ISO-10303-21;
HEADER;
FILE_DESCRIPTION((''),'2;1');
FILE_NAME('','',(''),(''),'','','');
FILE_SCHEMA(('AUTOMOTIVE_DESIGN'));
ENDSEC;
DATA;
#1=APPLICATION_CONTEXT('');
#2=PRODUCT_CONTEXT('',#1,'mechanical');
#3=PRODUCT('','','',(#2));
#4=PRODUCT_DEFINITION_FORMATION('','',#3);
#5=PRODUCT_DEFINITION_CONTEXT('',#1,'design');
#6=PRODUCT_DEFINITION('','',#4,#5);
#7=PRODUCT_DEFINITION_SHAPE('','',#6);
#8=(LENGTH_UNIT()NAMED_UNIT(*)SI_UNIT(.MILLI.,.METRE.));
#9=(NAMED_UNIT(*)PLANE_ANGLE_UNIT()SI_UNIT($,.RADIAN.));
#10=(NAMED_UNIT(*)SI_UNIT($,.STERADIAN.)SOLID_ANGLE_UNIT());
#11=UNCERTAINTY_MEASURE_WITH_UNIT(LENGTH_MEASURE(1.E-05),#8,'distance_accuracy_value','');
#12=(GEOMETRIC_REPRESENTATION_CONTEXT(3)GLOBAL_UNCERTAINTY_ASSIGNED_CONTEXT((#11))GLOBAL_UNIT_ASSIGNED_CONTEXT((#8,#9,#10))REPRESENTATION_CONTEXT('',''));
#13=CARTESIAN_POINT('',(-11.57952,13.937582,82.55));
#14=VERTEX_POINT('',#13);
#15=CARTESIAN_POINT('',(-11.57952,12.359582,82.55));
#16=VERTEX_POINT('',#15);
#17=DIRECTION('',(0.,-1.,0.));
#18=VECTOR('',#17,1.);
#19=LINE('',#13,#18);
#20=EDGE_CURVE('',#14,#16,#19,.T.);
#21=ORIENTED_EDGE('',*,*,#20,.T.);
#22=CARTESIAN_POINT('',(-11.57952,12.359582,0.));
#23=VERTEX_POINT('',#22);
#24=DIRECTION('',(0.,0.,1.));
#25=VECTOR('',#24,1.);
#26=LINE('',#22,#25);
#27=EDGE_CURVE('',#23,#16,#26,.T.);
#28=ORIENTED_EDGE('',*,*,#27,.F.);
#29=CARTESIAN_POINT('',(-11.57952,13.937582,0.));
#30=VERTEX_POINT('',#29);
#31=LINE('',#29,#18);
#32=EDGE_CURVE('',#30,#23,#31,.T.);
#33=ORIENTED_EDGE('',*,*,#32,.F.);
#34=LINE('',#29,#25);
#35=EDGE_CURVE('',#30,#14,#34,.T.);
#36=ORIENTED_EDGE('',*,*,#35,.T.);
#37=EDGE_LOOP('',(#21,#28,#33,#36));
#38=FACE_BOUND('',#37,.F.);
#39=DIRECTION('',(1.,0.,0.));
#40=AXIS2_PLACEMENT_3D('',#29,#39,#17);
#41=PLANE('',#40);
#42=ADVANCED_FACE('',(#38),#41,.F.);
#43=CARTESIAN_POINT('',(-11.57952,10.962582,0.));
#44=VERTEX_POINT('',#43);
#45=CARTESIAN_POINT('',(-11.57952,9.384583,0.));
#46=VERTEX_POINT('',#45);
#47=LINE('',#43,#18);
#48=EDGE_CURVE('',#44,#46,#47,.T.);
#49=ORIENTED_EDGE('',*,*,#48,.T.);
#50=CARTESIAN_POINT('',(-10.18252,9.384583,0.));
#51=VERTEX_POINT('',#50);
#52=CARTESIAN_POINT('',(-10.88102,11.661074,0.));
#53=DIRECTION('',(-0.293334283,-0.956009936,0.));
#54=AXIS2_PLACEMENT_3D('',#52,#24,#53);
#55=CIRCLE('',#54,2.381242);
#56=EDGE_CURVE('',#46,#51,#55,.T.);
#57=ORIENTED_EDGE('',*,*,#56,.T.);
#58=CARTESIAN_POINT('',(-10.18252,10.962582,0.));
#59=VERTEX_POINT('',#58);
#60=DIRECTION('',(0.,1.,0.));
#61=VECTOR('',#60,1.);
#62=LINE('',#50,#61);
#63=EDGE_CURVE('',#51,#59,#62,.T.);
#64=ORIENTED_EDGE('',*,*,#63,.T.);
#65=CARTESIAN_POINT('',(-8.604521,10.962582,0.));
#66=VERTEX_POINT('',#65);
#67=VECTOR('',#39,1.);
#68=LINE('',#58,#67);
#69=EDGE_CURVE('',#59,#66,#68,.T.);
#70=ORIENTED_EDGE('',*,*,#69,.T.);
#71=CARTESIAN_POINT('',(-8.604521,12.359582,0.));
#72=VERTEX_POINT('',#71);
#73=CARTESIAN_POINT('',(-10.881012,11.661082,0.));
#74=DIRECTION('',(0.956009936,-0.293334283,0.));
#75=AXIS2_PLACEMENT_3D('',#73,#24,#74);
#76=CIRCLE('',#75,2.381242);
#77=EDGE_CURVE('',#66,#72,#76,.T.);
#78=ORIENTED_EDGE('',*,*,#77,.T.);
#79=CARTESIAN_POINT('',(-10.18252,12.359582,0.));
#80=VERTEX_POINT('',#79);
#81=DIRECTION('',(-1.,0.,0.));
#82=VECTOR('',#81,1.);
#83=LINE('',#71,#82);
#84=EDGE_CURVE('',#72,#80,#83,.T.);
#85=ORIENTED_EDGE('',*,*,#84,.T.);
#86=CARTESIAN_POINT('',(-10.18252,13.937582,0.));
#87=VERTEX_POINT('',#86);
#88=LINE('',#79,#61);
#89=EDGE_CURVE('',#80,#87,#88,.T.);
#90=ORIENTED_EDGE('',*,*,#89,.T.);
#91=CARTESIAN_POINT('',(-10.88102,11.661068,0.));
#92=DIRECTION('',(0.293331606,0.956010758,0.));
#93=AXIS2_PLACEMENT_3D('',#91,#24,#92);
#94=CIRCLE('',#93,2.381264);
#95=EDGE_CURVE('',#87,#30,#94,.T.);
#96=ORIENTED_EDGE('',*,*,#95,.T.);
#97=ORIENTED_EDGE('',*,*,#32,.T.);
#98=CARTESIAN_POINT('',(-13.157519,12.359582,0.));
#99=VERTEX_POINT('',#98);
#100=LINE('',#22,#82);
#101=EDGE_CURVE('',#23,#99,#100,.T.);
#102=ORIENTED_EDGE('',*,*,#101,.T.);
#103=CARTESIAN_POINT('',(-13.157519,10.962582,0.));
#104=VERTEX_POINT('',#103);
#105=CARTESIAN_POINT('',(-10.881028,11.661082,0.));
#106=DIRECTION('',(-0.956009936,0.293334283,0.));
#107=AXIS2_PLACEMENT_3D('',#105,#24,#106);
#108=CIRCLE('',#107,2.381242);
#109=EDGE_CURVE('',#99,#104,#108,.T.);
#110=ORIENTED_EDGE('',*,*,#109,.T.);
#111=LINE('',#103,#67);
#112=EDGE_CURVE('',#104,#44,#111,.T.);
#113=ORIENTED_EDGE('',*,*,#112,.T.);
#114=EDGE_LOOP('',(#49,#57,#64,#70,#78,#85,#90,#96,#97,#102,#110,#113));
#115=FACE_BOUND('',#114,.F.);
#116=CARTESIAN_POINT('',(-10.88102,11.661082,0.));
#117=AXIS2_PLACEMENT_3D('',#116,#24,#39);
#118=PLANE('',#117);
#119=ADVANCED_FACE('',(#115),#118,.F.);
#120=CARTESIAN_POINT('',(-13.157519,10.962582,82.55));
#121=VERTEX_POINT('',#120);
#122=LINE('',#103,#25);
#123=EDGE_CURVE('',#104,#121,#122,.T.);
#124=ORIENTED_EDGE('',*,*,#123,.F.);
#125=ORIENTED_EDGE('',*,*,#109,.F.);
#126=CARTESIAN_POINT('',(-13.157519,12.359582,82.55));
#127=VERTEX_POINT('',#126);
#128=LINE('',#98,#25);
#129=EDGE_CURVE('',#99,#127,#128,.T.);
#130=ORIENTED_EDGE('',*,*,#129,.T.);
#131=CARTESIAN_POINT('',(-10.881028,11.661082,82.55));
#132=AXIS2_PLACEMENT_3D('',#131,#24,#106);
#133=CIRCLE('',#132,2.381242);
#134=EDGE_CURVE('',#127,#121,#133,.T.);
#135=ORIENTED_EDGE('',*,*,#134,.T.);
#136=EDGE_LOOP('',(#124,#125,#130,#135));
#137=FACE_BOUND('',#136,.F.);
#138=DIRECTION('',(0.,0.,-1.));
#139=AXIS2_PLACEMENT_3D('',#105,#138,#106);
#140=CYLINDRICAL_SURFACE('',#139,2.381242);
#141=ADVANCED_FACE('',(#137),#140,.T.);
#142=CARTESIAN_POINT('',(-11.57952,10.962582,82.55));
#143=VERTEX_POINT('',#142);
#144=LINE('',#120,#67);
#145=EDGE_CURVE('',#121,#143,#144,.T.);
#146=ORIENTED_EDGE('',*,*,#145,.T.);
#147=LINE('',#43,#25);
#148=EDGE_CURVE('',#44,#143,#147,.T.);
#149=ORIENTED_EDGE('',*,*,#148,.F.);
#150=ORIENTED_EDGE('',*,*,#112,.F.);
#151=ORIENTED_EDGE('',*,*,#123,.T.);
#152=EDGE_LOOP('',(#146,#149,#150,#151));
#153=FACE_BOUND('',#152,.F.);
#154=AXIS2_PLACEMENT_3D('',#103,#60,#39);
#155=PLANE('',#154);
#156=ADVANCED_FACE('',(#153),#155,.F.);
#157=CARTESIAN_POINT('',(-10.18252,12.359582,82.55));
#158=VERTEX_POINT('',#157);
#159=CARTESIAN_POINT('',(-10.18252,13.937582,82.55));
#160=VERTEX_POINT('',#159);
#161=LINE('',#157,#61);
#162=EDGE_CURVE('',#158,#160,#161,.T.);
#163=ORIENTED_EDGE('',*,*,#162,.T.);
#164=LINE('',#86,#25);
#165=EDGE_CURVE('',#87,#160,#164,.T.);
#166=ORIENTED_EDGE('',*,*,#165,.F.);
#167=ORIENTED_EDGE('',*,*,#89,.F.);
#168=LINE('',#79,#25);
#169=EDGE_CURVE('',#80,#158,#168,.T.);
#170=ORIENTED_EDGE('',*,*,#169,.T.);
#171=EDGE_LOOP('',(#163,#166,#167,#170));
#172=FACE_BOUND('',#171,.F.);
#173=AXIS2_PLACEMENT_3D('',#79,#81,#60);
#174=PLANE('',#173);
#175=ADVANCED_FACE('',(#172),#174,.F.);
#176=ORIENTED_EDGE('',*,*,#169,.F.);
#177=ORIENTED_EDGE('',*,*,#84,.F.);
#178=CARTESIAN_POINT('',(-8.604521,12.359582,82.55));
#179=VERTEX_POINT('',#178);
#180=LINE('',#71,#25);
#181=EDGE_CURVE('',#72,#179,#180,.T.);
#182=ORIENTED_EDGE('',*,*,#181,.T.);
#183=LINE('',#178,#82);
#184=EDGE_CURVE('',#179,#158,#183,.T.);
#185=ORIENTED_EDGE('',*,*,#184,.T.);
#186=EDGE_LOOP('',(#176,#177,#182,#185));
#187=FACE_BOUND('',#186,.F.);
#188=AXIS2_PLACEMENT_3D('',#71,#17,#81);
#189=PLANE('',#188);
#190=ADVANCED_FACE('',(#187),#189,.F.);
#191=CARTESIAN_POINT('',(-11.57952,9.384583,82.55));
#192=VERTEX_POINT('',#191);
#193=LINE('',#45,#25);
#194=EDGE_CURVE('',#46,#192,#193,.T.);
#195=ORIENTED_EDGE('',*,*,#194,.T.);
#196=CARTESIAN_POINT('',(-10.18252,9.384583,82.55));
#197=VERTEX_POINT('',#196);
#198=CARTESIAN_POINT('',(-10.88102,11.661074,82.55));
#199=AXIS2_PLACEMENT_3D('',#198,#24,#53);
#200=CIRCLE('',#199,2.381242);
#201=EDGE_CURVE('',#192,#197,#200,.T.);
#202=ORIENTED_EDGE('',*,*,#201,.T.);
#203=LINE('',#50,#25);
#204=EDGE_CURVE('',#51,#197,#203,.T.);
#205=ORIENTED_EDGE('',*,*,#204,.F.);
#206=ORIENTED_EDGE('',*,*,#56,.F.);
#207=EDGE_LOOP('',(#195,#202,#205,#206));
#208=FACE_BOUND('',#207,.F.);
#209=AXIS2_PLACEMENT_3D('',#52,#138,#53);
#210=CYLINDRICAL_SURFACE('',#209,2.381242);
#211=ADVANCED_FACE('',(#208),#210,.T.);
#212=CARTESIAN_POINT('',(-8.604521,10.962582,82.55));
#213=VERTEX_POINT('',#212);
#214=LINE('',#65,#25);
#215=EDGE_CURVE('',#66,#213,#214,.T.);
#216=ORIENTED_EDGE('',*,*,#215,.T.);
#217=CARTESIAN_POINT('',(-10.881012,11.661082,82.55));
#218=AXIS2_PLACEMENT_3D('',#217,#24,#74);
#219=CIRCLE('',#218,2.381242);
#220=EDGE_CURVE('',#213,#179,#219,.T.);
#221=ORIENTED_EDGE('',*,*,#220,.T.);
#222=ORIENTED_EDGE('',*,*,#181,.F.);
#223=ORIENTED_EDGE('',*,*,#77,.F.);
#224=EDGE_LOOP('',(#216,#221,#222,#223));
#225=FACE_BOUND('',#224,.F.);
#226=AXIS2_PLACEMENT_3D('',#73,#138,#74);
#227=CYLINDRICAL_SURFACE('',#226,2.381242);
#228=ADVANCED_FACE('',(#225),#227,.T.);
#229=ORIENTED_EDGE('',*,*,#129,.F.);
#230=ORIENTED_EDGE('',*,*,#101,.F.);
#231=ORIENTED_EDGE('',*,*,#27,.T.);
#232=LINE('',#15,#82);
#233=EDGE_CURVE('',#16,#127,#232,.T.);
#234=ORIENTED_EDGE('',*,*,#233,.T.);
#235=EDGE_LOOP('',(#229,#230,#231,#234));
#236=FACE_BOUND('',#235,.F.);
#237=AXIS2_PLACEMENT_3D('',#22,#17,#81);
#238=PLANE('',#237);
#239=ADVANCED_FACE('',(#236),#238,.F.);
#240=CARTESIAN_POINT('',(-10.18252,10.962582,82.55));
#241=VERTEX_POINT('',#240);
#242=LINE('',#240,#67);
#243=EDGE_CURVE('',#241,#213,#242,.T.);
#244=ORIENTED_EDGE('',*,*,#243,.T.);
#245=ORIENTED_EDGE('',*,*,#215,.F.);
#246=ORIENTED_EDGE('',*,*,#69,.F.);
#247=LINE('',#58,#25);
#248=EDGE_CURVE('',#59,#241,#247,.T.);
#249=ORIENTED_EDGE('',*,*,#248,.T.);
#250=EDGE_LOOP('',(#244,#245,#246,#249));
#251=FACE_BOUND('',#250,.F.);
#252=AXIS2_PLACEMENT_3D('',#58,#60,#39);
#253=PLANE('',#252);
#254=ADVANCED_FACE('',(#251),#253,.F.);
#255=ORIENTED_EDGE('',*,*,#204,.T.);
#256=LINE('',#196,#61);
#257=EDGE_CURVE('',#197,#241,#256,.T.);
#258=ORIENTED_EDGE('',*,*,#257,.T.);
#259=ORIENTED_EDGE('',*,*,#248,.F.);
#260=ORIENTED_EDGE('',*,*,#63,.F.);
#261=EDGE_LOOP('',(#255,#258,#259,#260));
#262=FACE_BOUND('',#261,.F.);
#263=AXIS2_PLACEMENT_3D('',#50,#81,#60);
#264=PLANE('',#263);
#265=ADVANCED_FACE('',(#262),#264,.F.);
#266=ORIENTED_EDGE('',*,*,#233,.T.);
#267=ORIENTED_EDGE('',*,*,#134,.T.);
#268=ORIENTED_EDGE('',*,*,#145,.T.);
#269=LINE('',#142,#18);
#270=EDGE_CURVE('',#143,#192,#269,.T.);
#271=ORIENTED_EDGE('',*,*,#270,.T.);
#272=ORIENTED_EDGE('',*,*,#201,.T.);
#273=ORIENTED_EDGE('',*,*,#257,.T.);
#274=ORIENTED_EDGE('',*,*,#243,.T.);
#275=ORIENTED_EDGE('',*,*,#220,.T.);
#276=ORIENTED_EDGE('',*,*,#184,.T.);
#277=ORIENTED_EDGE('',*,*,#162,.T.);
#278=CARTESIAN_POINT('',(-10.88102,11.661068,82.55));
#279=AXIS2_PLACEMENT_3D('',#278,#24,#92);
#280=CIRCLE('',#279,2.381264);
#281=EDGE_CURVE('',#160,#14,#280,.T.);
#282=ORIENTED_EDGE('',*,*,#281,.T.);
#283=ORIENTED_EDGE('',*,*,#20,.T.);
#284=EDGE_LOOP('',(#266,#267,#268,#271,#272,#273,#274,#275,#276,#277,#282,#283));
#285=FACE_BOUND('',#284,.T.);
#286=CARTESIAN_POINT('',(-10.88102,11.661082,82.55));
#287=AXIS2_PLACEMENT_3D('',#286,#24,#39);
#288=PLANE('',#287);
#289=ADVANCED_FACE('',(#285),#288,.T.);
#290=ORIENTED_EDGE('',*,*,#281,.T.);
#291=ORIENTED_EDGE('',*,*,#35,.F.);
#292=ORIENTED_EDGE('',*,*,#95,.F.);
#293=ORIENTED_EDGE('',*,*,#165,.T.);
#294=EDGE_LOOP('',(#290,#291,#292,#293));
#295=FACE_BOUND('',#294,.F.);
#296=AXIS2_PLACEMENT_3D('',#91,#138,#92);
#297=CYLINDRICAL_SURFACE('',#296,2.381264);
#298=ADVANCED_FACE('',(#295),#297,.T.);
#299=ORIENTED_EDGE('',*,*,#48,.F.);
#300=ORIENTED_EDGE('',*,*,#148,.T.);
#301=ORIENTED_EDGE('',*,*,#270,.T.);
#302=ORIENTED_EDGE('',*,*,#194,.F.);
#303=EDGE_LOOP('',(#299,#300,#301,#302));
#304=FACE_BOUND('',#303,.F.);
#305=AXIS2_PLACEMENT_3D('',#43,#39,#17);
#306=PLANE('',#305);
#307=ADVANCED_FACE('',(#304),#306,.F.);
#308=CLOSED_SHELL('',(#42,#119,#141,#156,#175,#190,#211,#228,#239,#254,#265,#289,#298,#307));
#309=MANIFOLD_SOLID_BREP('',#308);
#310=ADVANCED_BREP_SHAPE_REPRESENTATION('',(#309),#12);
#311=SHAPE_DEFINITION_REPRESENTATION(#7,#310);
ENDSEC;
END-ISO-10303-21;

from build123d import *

# Parameters (mm, degrees)
F1_DEPTH = 82.55


with BuildPart() as f1:
    # F0 (on Top) → F1 (new body)
    with BuildSketch(Plane.XY):
        with BuildLine():
            Line((-11.57952, 10.962582), (-11.57952, 9.384583))
            ThreePointArc((-11.57952, 9.384583), (-10.88102, 9.279832), (-10.18252, 9.384583))
            Line((-10.18252, 9.384583), (-10.18252, 10.962582))
            Line((-10.18252, 10.962582), (-8.604521, 10.962582))
            ThreePointArc((-8.604521, 10.962582), (-8.49977, 11.661082), (-8.604521, 12.359582))
            Line((-8.604521, 12.359582), (-10.18252, 12.359582))
            Line((-10.18252, 12.359582), (-10.18252, 13.937582))
            ThreePointArc((-10.18252, 13.937582), (-10.88102, 14.042332), (-11.57952, 13.937582))
            Line((-11.57952, 13.937582), (-11.57952, 12.359582))
            Line((-11.57952, 12.359582), (-13.157519, 12.359582))
            ThreePointArc((-13.157519, 12.359582), (-13.26227, 11.661082), (-13.157519, 10.962582))
            Line((-13.157519, 10.962582), (-11.57952, 10.962582))
        make_face()
    extrude(amount=F1_DEPTH)


solid = f1.part
